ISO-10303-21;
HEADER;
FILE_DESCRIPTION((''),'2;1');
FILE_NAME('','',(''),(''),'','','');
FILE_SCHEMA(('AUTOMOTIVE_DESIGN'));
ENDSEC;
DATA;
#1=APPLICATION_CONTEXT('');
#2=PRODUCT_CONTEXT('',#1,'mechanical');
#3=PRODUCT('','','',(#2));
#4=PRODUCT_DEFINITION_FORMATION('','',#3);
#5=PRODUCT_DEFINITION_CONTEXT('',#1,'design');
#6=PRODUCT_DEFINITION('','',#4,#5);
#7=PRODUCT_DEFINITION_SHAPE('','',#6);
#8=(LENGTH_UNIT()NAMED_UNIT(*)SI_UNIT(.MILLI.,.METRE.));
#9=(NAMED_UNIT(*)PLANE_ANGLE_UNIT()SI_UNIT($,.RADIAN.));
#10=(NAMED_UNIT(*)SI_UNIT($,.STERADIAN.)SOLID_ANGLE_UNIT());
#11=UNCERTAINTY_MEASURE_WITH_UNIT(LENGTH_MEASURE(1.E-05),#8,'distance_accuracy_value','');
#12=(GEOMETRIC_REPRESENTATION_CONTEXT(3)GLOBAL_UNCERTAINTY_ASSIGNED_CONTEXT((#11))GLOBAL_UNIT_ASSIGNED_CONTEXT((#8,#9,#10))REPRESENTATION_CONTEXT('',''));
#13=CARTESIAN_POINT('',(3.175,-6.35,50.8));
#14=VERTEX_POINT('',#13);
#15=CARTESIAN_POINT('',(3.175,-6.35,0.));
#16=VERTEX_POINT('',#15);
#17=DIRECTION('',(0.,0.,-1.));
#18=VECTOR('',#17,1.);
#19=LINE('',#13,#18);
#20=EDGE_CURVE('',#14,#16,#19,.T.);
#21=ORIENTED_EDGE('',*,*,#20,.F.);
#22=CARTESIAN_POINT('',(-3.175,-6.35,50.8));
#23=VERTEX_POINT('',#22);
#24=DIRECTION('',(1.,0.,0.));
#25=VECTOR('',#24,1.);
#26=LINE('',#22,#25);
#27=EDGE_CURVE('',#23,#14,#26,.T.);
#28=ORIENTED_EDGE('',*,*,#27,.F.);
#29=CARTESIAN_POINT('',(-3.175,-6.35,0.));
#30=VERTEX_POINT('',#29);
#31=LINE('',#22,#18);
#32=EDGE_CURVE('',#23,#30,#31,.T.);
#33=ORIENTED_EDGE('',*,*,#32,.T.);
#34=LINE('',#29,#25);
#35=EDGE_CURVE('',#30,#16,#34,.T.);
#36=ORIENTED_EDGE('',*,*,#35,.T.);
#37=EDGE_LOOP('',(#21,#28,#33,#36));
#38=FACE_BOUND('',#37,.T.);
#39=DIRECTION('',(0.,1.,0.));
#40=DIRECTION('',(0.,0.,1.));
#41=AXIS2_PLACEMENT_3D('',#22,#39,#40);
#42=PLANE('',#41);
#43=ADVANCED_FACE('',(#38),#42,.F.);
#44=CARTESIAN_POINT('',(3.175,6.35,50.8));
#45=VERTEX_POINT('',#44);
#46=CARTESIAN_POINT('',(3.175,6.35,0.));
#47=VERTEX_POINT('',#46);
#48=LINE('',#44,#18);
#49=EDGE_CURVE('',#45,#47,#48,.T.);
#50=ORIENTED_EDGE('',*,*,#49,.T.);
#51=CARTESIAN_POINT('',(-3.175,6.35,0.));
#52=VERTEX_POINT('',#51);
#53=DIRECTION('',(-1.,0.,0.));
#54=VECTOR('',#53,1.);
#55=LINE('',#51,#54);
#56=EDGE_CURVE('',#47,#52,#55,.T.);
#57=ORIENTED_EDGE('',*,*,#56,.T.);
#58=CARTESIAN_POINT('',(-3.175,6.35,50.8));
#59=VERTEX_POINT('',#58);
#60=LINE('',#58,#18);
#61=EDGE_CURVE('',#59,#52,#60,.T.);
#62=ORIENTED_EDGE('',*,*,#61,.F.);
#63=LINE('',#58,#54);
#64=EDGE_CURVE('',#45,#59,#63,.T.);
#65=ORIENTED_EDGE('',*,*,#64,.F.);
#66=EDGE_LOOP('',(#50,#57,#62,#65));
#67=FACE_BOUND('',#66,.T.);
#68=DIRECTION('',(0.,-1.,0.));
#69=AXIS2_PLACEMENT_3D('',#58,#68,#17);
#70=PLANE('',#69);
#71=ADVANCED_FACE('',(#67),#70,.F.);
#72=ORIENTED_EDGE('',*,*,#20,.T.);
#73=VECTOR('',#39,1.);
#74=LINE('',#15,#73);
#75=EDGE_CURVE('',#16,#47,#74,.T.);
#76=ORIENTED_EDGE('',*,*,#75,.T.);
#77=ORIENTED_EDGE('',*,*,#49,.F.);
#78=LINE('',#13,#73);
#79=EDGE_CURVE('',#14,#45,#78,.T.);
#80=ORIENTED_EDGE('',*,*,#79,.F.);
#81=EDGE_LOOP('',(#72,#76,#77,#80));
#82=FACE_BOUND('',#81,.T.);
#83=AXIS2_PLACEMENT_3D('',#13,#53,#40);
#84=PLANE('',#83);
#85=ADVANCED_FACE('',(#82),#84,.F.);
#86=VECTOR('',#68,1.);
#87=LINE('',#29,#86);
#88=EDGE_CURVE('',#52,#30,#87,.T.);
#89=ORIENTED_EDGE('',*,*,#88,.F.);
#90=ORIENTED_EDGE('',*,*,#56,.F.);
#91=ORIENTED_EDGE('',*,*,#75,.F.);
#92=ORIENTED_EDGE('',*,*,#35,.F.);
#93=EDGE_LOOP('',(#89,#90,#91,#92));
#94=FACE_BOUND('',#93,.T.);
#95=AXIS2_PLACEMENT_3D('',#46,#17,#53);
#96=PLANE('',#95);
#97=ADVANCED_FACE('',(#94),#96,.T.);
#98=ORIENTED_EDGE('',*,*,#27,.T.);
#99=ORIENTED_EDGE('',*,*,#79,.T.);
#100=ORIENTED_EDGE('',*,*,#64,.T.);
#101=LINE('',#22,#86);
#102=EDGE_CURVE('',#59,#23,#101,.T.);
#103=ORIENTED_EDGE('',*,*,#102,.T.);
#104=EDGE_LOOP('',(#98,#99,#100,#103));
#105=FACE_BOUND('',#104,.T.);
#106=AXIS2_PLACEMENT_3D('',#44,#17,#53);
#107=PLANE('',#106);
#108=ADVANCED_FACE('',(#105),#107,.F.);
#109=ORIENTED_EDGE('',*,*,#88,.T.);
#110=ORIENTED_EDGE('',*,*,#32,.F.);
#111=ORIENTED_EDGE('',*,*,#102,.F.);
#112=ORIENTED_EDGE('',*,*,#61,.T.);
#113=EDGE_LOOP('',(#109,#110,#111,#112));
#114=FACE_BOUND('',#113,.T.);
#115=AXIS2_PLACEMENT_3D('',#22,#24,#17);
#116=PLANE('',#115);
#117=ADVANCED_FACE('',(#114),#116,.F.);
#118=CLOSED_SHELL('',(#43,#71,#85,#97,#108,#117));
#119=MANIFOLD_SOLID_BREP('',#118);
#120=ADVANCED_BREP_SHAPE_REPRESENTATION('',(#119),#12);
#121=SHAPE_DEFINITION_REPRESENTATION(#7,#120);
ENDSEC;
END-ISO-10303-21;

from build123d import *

# Parameters (mm, degrees)
SKETCH1_W      = 6.35
SKETCH1_H      = 12.7
EXTRUDE1_DEPTH = 50.8


with BuildPart() as part:
    # Sketch1 → Extrude1 (new body)
    with BuildSketch(Plane.XY):
        Rectangle(SKETCH1_W, SKETCH1_H)
    extrude(amount=EXTRUDE1_DEPTH)


solid = part.part
